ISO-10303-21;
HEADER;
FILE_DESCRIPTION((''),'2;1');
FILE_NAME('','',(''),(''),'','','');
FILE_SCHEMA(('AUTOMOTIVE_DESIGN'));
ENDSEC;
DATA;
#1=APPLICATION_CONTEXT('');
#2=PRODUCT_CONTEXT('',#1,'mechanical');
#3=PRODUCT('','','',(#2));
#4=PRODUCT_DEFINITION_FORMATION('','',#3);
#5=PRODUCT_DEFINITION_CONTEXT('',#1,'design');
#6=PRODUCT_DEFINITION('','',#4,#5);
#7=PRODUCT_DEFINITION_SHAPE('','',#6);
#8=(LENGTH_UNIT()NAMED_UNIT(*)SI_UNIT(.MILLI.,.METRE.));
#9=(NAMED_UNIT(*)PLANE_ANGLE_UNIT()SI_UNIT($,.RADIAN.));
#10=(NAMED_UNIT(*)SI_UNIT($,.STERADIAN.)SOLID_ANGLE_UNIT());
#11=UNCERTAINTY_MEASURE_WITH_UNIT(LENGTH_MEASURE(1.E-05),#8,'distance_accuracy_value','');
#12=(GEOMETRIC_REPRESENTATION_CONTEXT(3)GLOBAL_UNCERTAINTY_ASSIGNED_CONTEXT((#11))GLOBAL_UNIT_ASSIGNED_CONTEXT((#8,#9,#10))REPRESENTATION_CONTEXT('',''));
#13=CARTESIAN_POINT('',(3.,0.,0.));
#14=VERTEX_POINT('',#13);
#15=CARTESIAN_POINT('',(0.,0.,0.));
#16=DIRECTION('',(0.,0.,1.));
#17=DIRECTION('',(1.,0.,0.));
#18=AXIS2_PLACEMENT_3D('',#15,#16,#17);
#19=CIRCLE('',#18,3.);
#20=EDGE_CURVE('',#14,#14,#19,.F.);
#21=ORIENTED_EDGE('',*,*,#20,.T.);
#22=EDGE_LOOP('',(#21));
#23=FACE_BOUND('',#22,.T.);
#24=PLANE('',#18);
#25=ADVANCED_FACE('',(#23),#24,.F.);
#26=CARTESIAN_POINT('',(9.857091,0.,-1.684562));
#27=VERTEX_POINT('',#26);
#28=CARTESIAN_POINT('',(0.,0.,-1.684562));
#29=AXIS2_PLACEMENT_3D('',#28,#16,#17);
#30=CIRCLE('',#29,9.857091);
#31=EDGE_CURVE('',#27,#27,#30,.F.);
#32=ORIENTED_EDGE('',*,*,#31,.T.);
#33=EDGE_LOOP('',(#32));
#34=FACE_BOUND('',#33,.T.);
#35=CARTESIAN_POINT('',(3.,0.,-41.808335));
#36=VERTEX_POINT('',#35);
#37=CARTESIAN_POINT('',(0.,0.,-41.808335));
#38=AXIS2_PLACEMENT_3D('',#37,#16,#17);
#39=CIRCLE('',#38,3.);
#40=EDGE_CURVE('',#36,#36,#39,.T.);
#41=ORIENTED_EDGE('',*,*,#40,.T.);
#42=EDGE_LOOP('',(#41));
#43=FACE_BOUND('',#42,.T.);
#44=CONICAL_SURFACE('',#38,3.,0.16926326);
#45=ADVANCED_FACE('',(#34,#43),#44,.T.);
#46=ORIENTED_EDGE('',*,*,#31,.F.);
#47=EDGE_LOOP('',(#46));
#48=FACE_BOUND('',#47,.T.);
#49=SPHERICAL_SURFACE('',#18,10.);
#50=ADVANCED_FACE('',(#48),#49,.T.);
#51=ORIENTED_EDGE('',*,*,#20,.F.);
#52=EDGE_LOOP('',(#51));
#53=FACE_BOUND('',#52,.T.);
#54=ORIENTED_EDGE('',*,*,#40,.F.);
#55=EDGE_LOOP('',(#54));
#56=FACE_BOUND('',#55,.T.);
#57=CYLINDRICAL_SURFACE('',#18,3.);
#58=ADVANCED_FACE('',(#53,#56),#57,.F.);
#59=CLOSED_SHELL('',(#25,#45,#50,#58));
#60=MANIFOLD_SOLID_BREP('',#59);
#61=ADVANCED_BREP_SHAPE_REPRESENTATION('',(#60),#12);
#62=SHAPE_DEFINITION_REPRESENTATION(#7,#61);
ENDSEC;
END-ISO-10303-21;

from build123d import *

# Parameters (mm, degrees)
SKETCH_2_R          = 3
CUT_EXTRUDE_1_DEPTH = 11
SKETCH_3_R          = 3
EXTRUDE_1_DEPTH     = 40
SKETCH_5_R          = 3
CUT_EXTRUDE_2_DEPTH = 40


with BuildPart() as part:
    # 草图1 → 旋转1 (revolve)
    with BuildSketch(Plane.XY):
        with BuildLine():
            Line((4.143240259, -9.101294422), (-4.143240259, 9.101294422))
            ThreePointArc((-4.143240259, 9.101294422), (-9.101294422, -4.143240259), (4.143240259, -9.101294422))
        make_face()
    revolve(axis=Axis((4.143240259, -9.101294422, 0), (-0.414324026, 0.910129442, 0)))

    # 草图2 → 切除-拉伸1 (cut, through all)
    with BuildSketch(Plane.XY):
        Circle(SKETCH_2_R)
    extrude(amount=-CUT_EXTRUDE_1_DEPTH, mode=Mode.SUBTRACT)

    # 草图3 → 凸台-拉伸1 (add)
    with BuildSketch(Plane(origin=(0, 0, 0), x_dir=(-1, 0, 0), z_dir=(0, 0, -1))):
        Circle(SKETCH_3_R)
    extrude(amount=EXTRUDE_1_DEPTH)

    # 草图4 → 旋转2 (revolve)
    with BuildSketch(Plane(origin=(0, 0, 0), x_dir=(1, 0, 0), z_dir=(0, 1, 0))):
        Polygon((-3, 0.512695407), (-9.857091429, 1.684561833), (-3, 41.808335168), align=None)
    revolve(axis=Axis((0, 0, 0), (0, 0, -1)))

    # 草图5 → 切除-拉伸2 (cut)
    with BuildSketch(Plane(origin=(0, 0, -40), x_dir=(-1, 0, 0), z_dir=(0, 0, -1))):
        Circle(SKETCH_5_R)
    extrude(amount=-CUT_EXTRUDE_2_DEPTH, mode=Mode.SUBTRACT)


solid = part.part
